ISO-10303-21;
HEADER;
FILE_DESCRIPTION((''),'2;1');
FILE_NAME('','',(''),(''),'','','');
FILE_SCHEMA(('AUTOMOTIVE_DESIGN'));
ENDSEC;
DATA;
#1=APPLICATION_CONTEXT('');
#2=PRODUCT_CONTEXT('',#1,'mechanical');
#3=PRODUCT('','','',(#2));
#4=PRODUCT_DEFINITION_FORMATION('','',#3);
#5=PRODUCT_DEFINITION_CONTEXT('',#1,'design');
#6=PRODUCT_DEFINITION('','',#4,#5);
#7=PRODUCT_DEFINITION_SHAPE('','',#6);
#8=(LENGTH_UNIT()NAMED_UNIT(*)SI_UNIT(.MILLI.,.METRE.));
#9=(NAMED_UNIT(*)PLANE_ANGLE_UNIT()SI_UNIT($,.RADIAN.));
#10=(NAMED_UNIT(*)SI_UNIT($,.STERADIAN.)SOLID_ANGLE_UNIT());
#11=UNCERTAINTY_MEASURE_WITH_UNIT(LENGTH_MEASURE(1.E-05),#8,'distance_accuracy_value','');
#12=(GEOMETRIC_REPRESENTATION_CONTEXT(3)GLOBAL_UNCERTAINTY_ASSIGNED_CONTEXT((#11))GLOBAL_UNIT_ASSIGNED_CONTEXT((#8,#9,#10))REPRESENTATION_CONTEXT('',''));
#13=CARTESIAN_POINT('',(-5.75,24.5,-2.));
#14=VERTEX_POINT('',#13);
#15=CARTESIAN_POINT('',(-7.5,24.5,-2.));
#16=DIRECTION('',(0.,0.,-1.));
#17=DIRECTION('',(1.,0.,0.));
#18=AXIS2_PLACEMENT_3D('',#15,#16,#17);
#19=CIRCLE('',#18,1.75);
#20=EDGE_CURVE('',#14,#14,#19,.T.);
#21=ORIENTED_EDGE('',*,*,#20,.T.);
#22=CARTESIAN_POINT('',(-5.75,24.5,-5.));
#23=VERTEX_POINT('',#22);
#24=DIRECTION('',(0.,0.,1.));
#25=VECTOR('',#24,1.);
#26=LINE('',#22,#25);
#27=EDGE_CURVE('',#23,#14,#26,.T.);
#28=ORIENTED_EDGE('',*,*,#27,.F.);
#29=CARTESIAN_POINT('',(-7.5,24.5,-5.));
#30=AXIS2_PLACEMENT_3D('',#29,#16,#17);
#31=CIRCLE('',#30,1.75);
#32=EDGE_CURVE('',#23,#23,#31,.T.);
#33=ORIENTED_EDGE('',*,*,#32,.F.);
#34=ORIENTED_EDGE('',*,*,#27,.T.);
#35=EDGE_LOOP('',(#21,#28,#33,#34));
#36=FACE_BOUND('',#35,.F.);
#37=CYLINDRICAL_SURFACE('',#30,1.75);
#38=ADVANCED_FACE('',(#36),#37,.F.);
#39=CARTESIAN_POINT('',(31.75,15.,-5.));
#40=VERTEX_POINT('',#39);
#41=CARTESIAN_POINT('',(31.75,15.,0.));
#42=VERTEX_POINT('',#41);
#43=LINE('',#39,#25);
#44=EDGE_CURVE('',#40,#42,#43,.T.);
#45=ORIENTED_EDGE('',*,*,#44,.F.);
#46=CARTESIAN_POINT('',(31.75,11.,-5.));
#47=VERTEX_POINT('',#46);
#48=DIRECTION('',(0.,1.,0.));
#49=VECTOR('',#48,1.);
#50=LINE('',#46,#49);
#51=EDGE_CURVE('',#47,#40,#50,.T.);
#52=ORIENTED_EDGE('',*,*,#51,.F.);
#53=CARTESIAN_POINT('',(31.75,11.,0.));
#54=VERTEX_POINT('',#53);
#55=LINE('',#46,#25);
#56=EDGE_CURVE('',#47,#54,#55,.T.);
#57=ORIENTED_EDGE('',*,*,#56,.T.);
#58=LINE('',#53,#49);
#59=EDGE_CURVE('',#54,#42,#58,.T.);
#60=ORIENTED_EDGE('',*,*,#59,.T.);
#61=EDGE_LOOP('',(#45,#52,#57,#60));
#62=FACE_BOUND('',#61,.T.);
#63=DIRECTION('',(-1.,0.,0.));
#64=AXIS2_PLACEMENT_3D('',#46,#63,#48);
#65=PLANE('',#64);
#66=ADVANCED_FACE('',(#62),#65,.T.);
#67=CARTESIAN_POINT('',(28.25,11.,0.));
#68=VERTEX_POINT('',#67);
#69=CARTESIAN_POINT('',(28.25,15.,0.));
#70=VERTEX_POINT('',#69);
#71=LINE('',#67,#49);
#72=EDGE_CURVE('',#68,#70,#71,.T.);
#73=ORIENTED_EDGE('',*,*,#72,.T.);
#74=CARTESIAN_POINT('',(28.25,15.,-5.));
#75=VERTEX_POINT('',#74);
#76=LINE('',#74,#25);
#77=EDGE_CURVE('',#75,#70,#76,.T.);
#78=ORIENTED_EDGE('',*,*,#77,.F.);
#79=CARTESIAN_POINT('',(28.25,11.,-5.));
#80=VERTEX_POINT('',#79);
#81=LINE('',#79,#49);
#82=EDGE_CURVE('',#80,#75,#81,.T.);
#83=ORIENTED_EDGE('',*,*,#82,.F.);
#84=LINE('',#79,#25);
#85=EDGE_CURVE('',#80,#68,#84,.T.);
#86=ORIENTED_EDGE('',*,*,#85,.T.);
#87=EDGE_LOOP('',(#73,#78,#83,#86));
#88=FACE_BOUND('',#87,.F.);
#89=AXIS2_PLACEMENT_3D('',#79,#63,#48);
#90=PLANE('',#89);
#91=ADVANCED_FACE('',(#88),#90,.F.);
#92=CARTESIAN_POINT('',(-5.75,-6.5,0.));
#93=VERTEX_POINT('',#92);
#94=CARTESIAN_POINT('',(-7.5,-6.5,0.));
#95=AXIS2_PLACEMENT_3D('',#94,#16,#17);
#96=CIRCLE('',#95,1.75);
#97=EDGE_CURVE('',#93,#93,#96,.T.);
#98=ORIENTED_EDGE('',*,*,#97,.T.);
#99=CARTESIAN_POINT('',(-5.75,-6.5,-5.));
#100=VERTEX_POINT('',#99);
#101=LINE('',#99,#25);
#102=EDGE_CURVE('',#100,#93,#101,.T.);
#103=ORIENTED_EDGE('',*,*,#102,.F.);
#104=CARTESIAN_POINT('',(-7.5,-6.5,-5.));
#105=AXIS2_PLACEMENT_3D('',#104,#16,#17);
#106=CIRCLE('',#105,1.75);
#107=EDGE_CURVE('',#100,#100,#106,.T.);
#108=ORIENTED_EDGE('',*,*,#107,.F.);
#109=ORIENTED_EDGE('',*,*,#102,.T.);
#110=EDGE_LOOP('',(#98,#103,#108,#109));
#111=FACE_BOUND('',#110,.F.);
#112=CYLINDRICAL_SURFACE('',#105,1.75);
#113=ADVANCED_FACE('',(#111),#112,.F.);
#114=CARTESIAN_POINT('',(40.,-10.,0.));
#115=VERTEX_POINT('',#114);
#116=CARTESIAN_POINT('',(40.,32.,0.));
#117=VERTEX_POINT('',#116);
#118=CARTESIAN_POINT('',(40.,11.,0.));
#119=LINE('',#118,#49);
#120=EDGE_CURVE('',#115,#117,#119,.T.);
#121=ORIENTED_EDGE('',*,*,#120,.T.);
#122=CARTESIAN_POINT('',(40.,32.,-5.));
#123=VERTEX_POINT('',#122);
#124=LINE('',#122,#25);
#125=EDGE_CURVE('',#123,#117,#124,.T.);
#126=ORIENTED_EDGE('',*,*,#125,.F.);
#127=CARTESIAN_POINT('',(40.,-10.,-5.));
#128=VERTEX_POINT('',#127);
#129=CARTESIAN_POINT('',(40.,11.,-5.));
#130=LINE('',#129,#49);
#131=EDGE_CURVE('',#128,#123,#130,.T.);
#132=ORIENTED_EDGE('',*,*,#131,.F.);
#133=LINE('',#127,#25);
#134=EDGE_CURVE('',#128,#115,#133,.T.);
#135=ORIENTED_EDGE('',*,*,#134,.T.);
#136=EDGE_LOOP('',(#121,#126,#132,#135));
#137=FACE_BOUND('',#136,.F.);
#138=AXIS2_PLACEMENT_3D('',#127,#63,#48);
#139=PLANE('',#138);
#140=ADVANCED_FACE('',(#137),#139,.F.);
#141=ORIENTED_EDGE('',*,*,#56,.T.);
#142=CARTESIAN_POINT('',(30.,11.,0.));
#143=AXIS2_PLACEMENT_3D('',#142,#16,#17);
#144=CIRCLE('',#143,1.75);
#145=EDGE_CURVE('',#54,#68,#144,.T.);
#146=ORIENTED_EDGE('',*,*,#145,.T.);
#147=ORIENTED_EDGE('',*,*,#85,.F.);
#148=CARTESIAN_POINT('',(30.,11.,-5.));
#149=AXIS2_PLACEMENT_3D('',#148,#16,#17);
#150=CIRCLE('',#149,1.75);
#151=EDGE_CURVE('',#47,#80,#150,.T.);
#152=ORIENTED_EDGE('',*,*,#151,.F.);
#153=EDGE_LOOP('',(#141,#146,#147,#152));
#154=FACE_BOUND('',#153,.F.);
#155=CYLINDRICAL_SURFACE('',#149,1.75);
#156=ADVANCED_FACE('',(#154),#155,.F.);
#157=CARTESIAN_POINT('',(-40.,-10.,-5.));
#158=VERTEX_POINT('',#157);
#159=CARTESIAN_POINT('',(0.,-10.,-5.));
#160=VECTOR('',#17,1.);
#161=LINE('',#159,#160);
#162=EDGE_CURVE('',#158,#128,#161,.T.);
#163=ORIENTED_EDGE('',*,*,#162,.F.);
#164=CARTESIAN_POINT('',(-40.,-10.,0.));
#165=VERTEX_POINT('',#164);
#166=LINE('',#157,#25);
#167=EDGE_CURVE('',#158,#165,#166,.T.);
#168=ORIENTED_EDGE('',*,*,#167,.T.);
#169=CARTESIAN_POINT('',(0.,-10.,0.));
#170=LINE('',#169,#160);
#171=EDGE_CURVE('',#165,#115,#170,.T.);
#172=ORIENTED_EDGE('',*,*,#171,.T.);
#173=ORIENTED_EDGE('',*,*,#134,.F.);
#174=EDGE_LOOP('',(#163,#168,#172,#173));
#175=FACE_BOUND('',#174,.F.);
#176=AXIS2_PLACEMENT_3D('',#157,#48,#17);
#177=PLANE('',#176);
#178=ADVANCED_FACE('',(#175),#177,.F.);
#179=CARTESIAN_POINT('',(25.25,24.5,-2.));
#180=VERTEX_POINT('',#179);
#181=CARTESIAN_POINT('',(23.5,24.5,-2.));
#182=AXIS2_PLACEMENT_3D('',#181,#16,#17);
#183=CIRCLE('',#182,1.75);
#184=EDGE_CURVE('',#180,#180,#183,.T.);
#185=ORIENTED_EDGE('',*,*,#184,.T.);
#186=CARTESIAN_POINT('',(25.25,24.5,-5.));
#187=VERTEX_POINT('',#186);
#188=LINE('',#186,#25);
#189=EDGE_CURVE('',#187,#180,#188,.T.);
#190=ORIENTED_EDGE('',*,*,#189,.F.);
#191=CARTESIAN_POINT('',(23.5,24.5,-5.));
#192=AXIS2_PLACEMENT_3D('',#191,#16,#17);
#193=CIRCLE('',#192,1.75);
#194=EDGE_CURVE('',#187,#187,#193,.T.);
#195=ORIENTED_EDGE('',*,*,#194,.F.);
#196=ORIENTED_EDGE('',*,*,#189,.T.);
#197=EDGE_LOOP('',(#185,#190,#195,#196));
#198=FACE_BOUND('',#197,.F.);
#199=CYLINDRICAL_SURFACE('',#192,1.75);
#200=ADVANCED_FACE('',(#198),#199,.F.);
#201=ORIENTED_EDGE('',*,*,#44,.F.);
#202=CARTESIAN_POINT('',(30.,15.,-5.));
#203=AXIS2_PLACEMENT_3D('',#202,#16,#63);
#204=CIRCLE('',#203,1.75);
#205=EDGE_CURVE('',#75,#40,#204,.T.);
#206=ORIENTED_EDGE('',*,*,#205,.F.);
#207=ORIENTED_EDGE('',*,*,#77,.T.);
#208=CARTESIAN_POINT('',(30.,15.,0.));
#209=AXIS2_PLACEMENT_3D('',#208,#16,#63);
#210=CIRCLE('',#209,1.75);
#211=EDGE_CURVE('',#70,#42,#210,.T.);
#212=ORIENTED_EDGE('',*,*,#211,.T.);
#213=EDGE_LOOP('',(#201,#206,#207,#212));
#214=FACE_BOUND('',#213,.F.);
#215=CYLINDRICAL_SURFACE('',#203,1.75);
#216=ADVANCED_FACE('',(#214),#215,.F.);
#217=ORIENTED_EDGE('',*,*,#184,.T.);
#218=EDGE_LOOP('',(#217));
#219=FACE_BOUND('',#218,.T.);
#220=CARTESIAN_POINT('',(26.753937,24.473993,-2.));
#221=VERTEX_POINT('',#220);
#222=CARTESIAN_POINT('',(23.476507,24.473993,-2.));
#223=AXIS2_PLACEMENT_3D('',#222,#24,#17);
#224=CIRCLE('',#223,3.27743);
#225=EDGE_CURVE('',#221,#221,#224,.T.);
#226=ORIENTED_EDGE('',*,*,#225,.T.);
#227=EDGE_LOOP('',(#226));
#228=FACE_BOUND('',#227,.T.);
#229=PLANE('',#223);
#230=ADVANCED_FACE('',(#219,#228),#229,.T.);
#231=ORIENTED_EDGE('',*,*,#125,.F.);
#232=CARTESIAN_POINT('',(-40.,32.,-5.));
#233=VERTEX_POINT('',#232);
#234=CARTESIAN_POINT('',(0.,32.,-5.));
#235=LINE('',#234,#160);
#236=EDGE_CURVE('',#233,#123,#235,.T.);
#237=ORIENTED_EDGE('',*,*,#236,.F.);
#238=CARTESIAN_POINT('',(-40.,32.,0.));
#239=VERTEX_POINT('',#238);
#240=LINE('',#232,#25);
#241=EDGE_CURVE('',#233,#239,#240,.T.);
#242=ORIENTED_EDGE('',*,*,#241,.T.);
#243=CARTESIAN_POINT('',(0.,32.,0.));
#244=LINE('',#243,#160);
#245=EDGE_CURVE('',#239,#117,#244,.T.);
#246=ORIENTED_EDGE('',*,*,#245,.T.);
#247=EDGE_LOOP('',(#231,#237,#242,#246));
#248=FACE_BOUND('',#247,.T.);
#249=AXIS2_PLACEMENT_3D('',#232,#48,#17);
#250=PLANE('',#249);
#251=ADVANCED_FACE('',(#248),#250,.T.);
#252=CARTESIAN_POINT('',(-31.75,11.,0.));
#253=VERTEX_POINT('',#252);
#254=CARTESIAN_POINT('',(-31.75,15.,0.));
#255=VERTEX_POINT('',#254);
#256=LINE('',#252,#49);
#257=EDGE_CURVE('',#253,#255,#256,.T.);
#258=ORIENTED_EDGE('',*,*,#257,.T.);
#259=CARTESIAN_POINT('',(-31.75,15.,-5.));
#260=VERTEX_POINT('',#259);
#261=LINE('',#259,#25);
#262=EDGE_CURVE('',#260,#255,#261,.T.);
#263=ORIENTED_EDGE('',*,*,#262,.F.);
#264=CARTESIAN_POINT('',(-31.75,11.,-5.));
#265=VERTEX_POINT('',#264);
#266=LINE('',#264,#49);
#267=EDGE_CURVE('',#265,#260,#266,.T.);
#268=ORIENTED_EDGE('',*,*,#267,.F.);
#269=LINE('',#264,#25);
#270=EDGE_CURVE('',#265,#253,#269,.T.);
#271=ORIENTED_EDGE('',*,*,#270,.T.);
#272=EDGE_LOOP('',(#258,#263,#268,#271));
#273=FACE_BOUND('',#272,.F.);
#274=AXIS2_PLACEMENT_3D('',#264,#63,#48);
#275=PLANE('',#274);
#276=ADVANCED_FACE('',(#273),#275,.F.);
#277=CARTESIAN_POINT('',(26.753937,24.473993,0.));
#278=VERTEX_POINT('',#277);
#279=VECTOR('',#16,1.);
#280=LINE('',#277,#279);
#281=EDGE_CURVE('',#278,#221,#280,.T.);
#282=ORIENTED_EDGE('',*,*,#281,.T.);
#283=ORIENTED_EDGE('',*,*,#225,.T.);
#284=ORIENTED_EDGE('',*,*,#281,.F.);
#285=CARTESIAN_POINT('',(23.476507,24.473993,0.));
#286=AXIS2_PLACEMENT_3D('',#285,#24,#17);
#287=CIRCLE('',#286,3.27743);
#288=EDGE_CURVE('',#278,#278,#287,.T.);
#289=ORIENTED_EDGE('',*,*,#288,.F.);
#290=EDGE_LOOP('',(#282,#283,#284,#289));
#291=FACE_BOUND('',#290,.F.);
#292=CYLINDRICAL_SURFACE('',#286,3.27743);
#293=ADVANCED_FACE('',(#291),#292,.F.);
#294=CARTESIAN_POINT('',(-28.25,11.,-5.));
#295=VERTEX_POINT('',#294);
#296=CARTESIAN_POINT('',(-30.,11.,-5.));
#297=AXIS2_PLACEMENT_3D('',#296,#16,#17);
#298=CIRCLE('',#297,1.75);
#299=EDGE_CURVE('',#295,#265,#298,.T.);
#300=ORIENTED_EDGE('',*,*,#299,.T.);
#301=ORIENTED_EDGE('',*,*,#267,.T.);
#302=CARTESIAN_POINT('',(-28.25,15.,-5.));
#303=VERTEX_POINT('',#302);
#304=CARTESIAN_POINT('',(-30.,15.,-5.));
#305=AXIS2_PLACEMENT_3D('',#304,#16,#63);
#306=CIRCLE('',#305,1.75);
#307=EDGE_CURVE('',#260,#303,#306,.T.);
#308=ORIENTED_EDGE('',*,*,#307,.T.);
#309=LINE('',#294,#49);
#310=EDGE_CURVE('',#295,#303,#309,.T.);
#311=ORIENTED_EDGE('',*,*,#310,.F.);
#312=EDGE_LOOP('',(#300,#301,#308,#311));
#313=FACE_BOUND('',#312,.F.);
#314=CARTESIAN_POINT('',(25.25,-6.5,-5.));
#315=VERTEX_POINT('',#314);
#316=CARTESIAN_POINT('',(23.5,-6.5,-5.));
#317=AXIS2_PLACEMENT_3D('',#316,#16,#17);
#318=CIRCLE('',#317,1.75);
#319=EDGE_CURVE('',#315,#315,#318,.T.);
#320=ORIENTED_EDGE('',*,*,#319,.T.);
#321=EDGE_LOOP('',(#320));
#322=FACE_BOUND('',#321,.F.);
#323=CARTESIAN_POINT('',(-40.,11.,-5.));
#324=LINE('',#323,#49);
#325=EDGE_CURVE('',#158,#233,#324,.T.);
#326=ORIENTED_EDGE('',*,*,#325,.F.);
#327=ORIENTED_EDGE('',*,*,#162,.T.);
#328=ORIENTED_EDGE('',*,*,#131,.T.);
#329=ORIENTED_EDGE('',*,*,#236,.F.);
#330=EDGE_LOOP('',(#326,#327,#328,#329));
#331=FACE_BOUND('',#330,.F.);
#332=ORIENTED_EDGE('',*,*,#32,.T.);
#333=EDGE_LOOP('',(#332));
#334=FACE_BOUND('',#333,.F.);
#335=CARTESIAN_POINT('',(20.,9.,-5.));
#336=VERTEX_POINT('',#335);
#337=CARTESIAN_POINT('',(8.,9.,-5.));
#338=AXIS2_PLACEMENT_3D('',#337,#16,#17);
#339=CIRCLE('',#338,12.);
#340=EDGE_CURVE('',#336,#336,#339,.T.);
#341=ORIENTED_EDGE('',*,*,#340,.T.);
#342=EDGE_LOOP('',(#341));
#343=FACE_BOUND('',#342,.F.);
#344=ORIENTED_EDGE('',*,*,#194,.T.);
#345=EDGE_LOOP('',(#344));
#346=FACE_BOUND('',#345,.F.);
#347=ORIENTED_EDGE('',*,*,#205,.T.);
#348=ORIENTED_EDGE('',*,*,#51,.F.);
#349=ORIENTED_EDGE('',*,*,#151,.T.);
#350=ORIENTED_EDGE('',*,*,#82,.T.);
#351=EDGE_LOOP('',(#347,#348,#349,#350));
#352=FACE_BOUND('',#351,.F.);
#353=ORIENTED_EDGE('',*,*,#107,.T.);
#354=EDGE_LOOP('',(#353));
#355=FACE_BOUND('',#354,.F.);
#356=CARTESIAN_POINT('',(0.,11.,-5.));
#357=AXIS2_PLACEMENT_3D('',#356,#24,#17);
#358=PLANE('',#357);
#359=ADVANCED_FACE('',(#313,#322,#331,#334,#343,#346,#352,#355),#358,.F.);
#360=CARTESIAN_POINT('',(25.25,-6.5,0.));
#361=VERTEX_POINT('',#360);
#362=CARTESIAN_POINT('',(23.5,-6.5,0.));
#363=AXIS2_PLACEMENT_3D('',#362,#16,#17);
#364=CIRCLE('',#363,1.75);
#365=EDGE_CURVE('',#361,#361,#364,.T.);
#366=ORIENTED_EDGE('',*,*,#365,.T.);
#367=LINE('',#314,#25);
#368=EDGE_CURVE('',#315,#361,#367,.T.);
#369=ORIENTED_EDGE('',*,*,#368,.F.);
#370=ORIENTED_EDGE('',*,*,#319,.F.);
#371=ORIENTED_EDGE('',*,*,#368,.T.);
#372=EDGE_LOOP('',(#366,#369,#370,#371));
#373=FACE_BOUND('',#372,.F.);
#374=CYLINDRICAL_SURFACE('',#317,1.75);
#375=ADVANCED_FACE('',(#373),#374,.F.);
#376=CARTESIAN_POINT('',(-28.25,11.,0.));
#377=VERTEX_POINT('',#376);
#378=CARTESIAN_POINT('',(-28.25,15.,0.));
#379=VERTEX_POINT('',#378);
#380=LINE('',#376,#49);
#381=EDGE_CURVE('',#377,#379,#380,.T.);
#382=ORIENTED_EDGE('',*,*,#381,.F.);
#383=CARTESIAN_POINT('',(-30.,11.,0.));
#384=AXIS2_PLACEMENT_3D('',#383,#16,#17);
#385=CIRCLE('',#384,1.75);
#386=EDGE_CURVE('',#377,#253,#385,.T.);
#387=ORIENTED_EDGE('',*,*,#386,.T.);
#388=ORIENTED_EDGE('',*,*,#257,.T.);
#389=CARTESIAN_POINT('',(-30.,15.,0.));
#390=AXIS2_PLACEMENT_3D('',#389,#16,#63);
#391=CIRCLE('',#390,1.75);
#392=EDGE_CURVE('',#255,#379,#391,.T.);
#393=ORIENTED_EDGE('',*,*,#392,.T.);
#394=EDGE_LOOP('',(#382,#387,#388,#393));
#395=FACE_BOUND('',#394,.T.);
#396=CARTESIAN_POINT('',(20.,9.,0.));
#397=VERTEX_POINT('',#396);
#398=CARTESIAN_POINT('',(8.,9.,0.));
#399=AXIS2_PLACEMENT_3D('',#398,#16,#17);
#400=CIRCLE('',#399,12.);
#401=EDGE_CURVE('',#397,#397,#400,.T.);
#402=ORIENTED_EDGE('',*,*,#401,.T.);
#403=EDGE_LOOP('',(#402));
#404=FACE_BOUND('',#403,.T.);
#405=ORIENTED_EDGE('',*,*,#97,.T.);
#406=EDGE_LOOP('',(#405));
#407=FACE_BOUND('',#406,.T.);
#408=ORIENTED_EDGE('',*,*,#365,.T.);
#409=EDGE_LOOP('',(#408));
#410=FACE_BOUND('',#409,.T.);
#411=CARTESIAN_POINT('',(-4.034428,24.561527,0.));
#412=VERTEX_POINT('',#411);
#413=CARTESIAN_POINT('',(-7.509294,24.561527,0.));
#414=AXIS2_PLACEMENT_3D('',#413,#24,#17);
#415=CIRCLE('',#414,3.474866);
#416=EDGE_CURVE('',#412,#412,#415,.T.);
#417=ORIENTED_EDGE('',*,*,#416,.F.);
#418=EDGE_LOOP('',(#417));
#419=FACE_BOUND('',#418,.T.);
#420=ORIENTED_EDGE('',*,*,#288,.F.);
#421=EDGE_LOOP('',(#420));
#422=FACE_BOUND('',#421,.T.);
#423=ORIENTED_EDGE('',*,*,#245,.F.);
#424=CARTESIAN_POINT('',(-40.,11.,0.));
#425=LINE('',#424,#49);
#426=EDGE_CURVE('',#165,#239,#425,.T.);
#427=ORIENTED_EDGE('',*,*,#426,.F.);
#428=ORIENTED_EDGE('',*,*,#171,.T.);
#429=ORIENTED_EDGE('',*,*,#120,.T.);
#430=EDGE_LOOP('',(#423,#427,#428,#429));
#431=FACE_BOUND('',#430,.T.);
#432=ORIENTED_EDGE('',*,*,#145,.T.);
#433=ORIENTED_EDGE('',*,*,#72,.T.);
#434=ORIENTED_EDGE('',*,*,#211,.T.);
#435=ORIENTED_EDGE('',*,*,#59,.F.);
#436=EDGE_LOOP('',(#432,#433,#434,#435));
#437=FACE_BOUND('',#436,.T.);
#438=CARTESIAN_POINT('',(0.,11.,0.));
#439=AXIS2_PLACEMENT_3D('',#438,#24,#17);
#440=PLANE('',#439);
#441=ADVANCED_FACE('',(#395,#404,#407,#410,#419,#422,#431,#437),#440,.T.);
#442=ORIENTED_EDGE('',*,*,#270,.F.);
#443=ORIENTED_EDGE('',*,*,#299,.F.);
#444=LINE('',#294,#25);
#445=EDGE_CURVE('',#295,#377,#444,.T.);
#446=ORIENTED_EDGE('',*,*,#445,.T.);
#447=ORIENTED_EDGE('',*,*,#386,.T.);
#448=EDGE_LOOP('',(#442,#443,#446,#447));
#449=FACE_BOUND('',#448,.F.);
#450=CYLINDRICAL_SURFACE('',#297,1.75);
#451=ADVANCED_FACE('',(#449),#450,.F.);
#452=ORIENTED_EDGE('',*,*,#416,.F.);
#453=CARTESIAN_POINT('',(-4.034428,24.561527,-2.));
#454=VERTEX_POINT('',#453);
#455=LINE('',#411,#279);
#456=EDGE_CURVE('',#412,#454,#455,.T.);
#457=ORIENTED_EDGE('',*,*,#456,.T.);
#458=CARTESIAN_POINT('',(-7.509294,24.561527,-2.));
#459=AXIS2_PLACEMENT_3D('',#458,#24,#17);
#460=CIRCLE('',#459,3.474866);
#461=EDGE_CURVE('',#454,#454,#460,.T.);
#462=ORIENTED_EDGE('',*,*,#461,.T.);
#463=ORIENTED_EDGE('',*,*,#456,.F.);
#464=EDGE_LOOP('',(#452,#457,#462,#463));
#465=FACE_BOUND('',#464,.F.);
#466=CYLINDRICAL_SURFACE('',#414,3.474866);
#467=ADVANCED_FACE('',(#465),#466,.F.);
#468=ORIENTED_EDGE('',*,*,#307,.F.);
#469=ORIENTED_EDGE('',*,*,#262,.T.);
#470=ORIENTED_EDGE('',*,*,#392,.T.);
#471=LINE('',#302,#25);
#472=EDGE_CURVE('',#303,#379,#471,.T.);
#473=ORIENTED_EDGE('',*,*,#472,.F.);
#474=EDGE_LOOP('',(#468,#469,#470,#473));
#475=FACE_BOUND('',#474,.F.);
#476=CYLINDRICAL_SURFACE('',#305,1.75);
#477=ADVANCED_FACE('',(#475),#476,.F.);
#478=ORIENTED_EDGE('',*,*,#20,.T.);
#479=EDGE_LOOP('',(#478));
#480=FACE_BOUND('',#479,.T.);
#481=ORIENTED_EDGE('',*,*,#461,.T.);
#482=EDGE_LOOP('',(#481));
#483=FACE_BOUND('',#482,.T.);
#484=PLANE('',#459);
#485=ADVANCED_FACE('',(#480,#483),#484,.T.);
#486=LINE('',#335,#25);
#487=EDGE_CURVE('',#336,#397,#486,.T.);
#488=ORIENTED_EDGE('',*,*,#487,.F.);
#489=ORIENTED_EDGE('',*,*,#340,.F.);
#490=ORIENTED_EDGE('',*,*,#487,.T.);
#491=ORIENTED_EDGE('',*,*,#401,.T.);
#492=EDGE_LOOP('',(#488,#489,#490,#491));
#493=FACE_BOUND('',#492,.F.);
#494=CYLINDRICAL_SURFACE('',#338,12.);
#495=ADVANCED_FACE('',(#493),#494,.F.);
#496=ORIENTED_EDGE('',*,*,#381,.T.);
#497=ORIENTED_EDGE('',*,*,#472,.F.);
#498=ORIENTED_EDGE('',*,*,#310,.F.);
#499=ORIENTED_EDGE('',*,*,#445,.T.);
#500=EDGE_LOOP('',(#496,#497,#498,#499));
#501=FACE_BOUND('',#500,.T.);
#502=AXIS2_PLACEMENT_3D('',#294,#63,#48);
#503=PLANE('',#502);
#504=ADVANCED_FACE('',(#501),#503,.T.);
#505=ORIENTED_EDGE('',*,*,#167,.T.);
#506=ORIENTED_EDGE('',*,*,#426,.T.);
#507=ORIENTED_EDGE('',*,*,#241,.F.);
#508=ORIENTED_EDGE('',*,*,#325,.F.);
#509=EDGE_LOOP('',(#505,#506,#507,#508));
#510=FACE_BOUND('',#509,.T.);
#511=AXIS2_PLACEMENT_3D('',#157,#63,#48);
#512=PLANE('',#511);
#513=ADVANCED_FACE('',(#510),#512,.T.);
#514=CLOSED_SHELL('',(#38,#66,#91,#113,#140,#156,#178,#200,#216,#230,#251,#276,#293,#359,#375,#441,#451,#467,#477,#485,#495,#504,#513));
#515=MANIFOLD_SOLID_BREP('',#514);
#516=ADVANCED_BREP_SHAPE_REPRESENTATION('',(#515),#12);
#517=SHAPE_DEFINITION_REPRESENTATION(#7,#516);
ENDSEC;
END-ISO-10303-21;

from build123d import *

# Parameters (mm, degrees)
SKETCH045_W     = 80
SKETCH045_H     = 42
PAD009_DEPTH    = 5
SKETCH047_R     = 12
SKETCH047_R_2   = 1.75
POCKET022_DEPTH = 5
SKETCH049_R     = 3.474866
SKETCH049_R_2   = 3.27743
POCKET025_DEPTH = 2


with BuildPart() as part:
    # Sketch045 → Pad009 (new body)
    with BuildSketch(Plane.XY):
        with Locations((0, 11)):
            Rectangle(SKETCH045_W, SKETCH045_H)
    extrude(amount=PAD009_DEPTH)

    # Sketch047 (on Face5 of Pad009) → Pocket022 (cut)
    with BuildSketch(Plane(origin=(0, 0, 0), x_dir=(1, 0, 0), z_dir=(0, 0, -1))):
        with Locations((8, -9)):
            Circle(SKETCH047_R)
        with Locations((-7.5, 6.5)):
            Circle(SKETCH047_R_2)
        with Locations((23.5, 6.5)):
            Circle(SKETCH047_R_2)
        with Locations((-7.5, -24.5)):
            Circle(SKETCH047_R_2)
        with Locations((23.5, -24.5)):
            Circle(SKETCH047_R_2)
        with BuildLine():
            ThreePointArc((-28.25, -11), (-30, -9.25), (-31.75, -11))
            Line((-31.75, -11), (-31.75, -15))
            ThreePointArc((-31.75, -15), (-30, -16.75), (-28.25, -15))
            Line((-28.25, -11), (-28.25, -15))
        make_face()
        with BuildLine():
            ThreePointArc((31.75, -11), (30, -9.25), (28.25, -11))
            Line((28.25, -11), (28.25, -15))
            ThreePointArc((28.25, -15), (30, -16.75), (31.75, -15))
            Line((31.75, -11), (31.75, -15))
        make_face()
    extrude(amount=-POCKET022_DEPTH, mode=Mode.SUBTRACT)

    # Sketch049 (on Face5 of Pocket022) → Pocket025 (cut)
    with BuildSketch(Plane.XY.offset(5)):
        with Locations((-7.509294, 24.561527)):
            Circle(SKETCH049_R)
        with Locations((23.476507, 24.473993)):
            Circle(SKETCH049_R_2)
    extrude(amount=-POCKET025_DEPTH, mode=Mode.SUBTRACT)


with BuildPart() as part_1:
    # Body004 placement: moved
    add(part.part.moved(Location((0, 0, -5))))


solid = part_1.part
